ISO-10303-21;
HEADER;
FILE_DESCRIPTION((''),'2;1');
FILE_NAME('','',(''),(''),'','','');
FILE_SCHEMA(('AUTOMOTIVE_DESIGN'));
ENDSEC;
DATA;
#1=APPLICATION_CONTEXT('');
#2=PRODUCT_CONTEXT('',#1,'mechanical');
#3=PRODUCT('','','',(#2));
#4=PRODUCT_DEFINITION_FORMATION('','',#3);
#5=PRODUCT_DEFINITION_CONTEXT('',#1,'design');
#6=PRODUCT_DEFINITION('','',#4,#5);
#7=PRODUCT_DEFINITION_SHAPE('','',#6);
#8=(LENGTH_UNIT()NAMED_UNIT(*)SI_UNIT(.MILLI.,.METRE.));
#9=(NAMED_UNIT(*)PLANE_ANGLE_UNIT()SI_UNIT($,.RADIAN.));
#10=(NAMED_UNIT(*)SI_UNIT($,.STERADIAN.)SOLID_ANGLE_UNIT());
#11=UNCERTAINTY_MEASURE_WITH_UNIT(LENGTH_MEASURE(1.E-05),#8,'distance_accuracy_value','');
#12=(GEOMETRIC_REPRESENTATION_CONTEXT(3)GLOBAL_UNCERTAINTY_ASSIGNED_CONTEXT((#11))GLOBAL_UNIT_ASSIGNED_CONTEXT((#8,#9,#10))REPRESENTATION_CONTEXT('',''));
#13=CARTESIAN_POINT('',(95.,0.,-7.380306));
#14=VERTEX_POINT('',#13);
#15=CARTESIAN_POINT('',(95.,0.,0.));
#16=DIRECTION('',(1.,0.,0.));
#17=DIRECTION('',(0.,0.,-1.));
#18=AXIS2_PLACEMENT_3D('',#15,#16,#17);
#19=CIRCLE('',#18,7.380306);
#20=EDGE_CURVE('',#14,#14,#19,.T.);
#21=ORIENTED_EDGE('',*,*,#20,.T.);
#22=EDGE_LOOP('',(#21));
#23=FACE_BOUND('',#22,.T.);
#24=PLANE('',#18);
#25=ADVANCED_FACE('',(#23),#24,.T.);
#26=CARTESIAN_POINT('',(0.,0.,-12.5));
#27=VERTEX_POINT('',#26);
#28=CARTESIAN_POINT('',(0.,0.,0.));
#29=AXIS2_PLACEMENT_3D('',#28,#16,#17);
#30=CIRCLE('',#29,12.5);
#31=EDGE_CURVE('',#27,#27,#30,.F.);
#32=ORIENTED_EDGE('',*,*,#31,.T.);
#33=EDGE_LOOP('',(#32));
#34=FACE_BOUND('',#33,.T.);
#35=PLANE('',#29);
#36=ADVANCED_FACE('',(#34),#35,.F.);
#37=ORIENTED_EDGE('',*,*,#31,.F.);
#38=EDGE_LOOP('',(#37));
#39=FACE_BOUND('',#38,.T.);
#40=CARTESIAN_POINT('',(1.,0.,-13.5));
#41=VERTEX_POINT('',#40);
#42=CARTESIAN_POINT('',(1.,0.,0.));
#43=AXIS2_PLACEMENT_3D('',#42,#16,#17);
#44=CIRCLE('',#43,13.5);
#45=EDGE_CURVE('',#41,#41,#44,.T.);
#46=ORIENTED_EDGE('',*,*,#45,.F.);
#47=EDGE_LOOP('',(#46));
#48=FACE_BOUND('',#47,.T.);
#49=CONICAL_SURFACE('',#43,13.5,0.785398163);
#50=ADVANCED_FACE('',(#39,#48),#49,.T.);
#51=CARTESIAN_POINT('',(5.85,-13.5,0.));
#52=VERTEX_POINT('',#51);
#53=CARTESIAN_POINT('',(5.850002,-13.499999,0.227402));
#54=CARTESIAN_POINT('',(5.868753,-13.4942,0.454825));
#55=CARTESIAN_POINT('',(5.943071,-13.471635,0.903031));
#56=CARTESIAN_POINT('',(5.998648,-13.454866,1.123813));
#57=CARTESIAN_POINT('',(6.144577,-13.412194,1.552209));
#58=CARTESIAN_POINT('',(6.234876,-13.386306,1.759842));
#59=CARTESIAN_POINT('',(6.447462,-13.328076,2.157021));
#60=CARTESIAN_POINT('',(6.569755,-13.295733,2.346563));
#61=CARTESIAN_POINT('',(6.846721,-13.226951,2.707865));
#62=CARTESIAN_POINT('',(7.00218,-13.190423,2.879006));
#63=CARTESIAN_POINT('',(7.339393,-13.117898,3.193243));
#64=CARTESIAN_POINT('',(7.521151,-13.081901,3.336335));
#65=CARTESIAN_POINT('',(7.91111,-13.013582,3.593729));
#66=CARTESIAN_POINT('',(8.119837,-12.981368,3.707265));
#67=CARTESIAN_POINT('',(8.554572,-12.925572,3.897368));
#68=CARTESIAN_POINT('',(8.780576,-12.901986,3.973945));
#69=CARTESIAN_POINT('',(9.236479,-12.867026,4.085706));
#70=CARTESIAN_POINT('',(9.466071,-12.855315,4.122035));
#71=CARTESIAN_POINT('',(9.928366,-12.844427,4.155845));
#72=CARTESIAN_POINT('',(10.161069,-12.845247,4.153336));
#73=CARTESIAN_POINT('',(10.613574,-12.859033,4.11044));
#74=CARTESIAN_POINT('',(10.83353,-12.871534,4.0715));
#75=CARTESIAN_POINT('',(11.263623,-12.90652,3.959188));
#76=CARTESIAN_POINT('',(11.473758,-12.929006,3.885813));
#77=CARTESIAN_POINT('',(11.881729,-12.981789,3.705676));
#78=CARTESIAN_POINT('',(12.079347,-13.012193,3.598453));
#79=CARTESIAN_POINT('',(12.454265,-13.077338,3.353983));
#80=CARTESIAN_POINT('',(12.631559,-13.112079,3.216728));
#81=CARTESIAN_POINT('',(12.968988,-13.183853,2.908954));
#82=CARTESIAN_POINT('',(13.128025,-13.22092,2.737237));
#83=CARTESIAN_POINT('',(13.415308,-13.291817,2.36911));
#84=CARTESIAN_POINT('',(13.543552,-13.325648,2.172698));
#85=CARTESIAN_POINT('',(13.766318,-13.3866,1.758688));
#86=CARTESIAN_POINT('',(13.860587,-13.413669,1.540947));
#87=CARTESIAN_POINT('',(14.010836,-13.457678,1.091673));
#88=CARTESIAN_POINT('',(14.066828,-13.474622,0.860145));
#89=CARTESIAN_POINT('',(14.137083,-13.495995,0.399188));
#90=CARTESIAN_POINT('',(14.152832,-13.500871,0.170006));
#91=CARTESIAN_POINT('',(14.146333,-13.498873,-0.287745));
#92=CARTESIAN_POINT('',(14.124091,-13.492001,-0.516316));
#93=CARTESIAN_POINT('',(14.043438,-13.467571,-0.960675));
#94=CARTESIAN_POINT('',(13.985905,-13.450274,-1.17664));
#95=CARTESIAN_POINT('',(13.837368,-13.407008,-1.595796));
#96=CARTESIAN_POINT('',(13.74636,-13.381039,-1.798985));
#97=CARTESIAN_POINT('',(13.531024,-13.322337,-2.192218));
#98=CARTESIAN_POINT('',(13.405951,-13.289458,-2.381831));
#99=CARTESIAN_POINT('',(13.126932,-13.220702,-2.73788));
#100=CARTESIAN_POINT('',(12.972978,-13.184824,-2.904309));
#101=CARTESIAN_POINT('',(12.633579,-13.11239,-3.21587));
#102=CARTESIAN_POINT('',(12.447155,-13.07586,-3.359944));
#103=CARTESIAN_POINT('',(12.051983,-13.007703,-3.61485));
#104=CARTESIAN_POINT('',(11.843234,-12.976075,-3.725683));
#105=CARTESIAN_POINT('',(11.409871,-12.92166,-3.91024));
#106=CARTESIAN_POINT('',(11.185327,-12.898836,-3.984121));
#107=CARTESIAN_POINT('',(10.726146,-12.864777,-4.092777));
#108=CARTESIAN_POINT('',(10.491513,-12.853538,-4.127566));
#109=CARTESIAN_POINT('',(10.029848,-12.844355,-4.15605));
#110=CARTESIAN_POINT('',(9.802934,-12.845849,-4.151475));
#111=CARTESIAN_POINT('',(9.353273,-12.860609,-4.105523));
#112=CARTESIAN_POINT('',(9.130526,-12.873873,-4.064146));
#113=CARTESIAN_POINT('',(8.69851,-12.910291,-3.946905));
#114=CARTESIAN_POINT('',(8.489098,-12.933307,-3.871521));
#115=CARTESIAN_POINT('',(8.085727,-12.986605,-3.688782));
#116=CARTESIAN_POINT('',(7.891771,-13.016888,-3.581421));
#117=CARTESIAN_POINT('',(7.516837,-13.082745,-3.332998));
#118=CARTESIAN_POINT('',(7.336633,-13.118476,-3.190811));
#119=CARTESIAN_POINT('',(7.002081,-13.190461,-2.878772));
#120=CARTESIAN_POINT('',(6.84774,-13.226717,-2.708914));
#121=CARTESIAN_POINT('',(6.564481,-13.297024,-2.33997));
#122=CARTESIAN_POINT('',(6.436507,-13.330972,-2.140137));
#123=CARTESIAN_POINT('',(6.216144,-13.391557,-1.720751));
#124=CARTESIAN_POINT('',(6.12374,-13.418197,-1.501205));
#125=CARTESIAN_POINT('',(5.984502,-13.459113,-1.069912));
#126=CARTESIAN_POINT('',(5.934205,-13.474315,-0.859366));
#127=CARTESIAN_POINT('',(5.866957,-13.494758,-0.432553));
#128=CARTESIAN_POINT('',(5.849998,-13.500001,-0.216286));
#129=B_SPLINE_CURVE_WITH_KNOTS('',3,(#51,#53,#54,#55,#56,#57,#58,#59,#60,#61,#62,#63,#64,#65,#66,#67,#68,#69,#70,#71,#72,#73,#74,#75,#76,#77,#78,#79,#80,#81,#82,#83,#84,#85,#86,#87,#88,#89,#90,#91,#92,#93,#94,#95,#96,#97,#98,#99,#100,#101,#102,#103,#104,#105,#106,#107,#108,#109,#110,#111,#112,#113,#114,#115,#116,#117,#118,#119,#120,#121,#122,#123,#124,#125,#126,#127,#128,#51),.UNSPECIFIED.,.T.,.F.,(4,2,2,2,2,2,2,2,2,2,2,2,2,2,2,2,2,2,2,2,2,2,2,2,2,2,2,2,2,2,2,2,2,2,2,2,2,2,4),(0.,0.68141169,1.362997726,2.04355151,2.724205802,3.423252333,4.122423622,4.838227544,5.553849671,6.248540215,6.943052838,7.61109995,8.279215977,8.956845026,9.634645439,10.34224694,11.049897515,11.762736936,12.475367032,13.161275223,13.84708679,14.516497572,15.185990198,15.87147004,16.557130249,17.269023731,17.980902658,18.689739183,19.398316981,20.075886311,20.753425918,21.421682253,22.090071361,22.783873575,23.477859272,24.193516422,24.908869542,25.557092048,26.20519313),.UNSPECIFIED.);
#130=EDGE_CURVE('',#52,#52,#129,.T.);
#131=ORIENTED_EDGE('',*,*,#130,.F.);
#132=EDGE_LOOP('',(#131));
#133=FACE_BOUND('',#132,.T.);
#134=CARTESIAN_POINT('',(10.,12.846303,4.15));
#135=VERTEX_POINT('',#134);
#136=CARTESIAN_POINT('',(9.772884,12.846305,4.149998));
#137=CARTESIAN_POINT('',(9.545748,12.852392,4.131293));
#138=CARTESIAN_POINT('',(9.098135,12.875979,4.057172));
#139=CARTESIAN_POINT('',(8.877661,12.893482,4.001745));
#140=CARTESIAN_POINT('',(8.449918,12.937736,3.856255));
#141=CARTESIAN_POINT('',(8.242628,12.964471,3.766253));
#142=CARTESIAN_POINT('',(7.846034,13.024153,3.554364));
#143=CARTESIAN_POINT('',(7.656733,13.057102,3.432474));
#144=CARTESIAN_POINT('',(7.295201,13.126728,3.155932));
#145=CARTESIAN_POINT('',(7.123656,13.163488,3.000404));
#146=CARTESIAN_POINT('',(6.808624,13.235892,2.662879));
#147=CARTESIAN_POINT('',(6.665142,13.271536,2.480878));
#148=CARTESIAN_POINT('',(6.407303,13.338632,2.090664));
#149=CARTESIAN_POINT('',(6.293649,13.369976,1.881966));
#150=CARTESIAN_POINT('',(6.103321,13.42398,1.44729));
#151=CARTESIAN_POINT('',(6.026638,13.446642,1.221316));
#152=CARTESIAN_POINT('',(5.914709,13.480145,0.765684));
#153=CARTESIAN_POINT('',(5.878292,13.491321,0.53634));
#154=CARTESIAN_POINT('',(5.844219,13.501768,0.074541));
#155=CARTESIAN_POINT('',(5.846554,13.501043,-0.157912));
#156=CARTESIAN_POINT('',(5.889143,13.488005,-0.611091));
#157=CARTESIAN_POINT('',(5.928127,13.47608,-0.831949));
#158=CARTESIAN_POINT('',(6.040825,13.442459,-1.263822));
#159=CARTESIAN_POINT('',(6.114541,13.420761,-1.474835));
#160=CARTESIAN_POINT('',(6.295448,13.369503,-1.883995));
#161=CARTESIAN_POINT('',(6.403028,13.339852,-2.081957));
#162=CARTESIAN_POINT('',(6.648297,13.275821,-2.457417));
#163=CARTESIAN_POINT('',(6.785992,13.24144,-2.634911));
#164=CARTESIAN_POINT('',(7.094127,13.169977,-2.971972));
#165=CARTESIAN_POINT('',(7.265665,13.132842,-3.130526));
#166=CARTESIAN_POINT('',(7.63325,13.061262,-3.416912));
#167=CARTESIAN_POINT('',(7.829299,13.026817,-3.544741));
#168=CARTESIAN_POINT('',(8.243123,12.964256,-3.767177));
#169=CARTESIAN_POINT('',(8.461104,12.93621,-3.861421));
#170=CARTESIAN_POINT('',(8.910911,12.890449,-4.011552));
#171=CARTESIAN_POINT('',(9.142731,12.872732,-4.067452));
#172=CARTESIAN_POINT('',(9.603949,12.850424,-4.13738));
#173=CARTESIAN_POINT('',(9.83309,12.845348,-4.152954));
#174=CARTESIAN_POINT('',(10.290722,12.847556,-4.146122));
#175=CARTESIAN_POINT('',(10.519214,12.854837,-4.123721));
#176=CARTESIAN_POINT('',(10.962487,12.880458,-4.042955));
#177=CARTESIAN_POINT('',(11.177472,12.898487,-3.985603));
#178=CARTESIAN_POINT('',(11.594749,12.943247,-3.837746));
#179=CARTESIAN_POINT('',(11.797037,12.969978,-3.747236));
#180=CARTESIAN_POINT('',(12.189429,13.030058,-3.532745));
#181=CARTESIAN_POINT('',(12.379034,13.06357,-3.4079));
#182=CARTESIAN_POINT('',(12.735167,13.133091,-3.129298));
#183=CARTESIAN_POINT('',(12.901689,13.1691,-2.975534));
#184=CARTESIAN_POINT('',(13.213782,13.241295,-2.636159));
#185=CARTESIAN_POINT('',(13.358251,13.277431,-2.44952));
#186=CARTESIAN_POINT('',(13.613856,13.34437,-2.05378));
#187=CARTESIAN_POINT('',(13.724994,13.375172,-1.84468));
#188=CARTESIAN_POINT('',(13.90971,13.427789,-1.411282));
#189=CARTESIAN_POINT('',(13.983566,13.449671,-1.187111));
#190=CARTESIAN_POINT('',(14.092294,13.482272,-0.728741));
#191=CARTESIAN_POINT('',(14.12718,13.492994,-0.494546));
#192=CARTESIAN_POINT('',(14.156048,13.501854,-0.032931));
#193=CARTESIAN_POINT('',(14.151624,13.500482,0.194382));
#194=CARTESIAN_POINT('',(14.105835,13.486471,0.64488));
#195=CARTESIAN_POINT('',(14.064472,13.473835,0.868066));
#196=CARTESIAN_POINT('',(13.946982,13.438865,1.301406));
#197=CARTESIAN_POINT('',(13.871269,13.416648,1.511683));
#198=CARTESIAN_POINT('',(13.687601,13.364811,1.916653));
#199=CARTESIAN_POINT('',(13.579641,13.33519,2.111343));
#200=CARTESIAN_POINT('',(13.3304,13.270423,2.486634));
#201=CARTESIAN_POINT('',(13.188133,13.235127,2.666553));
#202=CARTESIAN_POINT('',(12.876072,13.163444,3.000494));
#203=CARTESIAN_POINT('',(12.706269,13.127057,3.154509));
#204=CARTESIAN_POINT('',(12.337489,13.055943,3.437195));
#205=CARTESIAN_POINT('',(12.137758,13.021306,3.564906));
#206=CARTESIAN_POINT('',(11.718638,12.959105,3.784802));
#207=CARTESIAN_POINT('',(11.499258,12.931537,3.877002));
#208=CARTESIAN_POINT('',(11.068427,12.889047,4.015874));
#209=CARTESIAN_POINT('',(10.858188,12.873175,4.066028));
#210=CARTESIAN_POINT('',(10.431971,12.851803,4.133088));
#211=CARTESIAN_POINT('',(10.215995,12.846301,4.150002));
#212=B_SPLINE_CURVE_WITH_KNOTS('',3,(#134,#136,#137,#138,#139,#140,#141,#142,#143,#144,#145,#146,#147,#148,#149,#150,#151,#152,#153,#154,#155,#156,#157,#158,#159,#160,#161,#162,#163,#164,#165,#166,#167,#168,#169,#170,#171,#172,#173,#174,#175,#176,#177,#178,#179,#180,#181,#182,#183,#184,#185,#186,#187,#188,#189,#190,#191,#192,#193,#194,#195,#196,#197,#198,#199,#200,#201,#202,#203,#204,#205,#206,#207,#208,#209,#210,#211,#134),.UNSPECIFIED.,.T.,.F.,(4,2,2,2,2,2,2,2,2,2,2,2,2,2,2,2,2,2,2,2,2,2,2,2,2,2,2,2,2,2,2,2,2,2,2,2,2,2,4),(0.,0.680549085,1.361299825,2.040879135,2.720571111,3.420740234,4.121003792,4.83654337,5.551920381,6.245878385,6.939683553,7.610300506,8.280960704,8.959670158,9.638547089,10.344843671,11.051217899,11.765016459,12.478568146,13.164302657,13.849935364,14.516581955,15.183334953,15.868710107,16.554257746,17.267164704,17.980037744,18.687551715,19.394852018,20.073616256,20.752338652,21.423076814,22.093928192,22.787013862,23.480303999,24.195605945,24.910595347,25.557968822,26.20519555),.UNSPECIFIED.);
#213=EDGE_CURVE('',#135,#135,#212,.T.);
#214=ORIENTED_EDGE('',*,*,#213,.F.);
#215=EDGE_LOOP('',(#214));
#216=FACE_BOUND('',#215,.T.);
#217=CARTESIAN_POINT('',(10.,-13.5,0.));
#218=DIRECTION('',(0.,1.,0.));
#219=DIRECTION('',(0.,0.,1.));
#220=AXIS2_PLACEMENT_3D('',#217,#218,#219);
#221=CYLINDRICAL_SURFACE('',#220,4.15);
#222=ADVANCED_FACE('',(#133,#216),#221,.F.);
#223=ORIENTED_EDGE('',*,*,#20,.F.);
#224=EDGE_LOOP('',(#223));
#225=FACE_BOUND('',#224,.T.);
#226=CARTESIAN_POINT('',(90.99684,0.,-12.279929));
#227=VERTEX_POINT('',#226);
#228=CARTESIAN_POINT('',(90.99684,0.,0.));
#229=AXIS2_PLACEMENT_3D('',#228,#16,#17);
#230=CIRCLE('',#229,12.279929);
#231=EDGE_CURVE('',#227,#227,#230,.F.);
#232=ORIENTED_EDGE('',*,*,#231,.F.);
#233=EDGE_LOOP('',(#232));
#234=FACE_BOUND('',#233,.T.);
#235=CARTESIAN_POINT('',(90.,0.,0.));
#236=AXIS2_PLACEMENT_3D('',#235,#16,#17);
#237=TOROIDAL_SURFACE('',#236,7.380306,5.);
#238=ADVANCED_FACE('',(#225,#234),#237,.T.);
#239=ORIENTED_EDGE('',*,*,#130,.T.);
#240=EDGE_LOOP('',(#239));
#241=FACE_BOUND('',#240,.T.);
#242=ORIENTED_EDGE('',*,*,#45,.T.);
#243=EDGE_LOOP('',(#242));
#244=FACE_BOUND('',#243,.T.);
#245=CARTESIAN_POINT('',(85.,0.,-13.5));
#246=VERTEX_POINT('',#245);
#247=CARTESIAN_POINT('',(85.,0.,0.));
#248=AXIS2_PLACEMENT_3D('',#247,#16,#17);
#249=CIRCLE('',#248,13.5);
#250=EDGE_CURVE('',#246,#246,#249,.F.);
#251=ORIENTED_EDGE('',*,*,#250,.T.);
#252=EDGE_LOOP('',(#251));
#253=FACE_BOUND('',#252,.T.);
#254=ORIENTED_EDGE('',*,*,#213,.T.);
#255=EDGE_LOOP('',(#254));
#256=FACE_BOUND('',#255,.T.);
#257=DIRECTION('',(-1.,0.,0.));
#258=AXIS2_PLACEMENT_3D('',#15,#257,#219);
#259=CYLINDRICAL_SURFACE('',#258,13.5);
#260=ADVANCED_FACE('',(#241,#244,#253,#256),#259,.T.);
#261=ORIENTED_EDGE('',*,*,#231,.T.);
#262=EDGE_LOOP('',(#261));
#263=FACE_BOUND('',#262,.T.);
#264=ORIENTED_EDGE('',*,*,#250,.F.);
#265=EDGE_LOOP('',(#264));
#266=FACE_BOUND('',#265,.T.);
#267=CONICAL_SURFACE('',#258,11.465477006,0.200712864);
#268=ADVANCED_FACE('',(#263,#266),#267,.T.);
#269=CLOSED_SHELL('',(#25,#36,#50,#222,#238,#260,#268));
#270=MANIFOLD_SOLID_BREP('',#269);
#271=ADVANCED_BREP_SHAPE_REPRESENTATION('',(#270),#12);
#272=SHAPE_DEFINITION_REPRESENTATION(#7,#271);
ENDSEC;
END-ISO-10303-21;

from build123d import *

# Parameters (mm, degrees)
SKETCH2_R               = 13.5
BOSS_EXTRUDE1_DEPTH     = 95
CHAMFER1_SIZE           = 10
CHAMFER1_SIZE2          = 2.034522994
FILLET1_R               = 5
CHAMFER2_SIZE           = 1
SKETCH3_R               = 4.15
CUT_EXTRUDE1_DEPTH      = 14.5
CUT_EXTRUDE1_DEPTH_BACK = 14.5


with BuildPart() as part:
    # Sketch2 → Boss-Extrude1 (new body)
    with BuildSketch(Plane(origin=(0, 0, 0), x_dir=(0, 0, -1), z_dir=(1, 0, 0))):
        Circle(SKETCH2_R)
    extrude(amount=BOSS_EXTRUDE1_DEPTH)

    # Chamfer1
    chamfer1_edges = [part.edges().sort_by_distance(p)[0] for p in [
        (95, 0, 13.5),
    ]]
    chamfer1_side = [part.faces().sort_by_distance(p)[0] for p in [
        (47.5, 0, 13.5),
    ]]
    chamfer(chamfer1_edges, length=CHAMFER1_SIZE, length2=CHAMFER1_SIZE2, reference=chamfer1_side[0])

    # Fillet1
    fillet1_edges = [part.edges().sort_by_distance(p)[0] for p in [
        (95, 0, 11.465477006),
    ]]
    fillet(fillet1_edges, radius=FILLET1_R)

    # Chamfer2
    chamfer2_edges = [part.edges().sort_by_distance(p)[0] for p in [
        (0, 0, 13.5),
    ]]
    chamfer(chamfer2_edges, length=CHAMFER2_SIZE)

    # Sketch3 → Cut-Extrude1 (cut, two sides)
    with BuildSketch(Plane(origin=(0, 0, 0), x_dir=(1, 0, 0), z_dir=(0, 1, 0))) as cut_extrude1_sk:
        with Locations((10, 0)):
            Circle(SKETCH3_R)
    extrude(amount=CUT_EXTRUDE1_DEPTH, mode=Mode.SUBTRACT)
    extrude(cut_extrude1_sk.sketch, amount=-CUT_EXTRUDE1_DEPTH_BACK, mode=Mode.SUBTRACT)


solid = part.part
